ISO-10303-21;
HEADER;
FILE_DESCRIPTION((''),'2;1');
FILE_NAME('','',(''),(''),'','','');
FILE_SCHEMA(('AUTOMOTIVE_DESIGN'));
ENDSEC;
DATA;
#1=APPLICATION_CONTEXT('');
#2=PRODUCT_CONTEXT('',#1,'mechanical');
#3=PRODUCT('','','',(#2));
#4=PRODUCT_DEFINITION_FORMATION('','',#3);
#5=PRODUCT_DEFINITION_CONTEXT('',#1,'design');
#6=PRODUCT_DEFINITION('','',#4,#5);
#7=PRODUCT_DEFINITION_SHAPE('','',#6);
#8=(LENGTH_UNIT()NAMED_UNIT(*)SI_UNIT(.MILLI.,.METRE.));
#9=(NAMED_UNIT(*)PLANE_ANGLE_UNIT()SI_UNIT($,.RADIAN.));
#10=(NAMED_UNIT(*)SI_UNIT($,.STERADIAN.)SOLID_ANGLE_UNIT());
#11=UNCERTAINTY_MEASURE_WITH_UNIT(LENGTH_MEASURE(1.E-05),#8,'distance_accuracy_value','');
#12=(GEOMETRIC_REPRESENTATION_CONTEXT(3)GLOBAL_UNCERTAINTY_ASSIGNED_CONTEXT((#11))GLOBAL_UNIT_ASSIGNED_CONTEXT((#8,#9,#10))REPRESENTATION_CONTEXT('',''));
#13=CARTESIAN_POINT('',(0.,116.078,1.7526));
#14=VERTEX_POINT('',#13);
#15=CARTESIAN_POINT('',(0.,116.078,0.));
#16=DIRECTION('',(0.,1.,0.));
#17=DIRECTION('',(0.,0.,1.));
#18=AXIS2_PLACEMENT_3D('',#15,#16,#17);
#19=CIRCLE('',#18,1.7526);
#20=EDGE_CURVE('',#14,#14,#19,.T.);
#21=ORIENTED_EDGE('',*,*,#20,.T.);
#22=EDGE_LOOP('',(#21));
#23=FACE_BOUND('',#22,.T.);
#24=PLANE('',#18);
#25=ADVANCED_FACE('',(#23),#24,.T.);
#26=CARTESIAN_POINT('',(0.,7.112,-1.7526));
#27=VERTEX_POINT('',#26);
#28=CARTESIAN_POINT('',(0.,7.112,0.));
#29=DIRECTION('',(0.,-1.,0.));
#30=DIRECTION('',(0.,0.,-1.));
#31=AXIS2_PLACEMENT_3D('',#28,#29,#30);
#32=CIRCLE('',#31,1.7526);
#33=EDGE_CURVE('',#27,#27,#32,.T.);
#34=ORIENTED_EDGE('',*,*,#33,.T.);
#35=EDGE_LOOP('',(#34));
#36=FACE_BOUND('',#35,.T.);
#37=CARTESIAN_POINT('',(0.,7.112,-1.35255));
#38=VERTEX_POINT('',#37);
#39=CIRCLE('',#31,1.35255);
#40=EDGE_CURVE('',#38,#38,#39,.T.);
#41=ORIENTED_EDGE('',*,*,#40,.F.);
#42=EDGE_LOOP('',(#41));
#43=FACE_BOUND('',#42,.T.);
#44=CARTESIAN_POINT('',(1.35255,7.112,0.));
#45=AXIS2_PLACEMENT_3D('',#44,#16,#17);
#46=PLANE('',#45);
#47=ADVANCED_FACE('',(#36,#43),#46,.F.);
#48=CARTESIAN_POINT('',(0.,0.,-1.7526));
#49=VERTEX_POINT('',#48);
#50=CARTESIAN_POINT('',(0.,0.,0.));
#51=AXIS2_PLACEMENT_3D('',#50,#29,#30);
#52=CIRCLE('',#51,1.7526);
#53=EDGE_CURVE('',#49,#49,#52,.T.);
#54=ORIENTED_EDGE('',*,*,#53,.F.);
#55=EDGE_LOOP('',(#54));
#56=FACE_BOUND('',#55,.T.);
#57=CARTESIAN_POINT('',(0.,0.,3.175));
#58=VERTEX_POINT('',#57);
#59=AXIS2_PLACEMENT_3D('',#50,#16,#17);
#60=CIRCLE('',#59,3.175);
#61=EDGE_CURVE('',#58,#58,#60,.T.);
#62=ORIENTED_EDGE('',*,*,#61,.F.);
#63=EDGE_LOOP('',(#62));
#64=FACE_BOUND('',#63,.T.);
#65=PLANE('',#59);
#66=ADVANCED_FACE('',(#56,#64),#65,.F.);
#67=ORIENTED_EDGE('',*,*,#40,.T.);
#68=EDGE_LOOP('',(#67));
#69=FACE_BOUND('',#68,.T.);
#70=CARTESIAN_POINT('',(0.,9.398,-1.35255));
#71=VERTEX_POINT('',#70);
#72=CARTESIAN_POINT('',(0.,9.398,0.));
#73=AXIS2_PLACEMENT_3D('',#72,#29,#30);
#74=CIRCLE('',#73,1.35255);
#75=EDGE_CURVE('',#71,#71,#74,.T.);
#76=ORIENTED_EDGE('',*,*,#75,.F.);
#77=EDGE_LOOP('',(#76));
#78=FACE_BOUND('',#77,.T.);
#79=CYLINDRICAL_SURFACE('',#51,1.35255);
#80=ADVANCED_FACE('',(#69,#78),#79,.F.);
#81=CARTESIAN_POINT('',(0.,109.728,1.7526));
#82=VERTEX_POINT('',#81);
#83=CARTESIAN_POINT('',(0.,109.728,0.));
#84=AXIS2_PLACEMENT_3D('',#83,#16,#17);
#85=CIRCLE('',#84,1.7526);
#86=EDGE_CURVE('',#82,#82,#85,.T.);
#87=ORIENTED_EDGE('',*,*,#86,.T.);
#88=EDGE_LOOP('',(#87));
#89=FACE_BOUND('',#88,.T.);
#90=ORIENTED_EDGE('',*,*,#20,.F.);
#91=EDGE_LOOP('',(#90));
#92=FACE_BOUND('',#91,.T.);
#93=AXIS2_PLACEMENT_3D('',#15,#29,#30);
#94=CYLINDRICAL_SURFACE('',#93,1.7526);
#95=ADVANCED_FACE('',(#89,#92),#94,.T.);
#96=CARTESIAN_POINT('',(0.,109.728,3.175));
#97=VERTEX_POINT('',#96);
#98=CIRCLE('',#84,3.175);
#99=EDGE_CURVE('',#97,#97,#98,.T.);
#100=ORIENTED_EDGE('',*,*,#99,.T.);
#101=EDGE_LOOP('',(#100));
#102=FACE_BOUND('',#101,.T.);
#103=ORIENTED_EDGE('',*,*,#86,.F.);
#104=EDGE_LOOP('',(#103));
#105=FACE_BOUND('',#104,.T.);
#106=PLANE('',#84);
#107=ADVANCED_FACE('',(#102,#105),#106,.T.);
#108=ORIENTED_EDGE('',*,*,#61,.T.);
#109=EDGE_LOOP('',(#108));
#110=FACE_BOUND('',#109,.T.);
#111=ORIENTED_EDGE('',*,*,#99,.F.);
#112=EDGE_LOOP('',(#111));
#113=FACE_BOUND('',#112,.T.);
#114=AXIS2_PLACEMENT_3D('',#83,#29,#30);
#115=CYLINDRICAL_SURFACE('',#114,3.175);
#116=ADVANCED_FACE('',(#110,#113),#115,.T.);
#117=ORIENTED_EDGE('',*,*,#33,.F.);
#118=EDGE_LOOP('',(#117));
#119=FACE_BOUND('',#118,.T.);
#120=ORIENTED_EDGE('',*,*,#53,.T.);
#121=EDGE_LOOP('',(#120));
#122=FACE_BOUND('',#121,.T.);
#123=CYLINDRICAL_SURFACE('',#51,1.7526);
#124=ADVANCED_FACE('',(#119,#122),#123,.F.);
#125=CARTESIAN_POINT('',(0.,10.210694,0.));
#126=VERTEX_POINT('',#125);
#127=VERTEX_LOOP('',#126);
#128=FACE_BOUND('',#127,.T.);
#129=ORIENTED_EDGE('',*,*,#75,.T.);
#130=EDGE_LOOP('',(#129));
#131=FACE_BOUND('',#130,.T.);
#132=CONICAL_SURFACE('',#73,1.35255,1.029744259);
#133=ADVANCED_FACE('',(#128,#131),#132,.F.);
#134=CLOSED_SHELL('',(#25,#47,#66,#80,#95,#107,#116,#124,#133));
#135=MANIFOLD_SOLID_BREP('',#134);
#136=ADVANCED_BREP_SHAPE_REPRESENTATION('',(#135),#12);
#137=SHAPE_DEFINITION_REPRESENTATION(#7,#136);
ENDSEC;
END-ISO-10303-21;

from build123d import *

# Parameters (mm, degrees)
SKETCH1_R                       = 3.175
BOSS_EXTRUDE1_DEPTH             = 109.728
F_6_32_TAPPED_HOLE1_D           = 2.7051
F_6_32_TAPPED_HOLE1_DEPTH       = 9.398
F_6_32_TAPPED_HOLE1_CBORE_D     = 3.5052
F_6_32_TAPPED_HOLE1_CBORE_DEPTH = 7.112
F_6_32_TAPPED_HOLE1_TIP         = 0.81269403
SKETCH4_R                       = 1.7526
BOSS_EXTRUDE2_DEPTH             = 6.35


with BuildPart() as part:
    # Sketch1 → Boss-Extrude1 (new body)
    with BuildSketch(Plane(origin=(0, 0, 0), x_dir=(1, 0, 0), z_dir=(0, 1, 0))):
        Circle(SKETCH1_R)
    extrude(amount=BOSS_EXTRUDE1_DEPTH)

    # #6-32 Tapped Hole1
    with Locations(Plane(origin=(0, 0, 0), x_dir=(-1, 0, 0), z_dir=(0, -1, 0))):
        with Locations((0, 0)):
            CounterBoreHole(F_6_32_TAPPED_HOLE1_D / 2, F_6_32_TAPPED_HOLE1_CBORE_D / 2, F_6_32_TAPPED_HOLE1_CBORE_DEPTH, depth=F_6_32_TAPPED_HOLE1_DEPTH)
            with Locations((0, 0, -(F_6_32_TAPPED_HOLE1_DEPTH + F_6_32_TAPPED_HOLE1_TIP / 2))):  # 118° drill point
                Cone(0, F_6_32_TAPPED_HOLE1_D / 2, F_6_32_TAPPED_HOLE1_TIP, mode=Mode.SUBTRACT)

    # Sketch4 → Boss-Extrude2 (add)
    with BuildSketch(Plane(origin=(0, 109.728, 0), x_dir=(1, 0, 0), z_dir=(0, 1, 0))):
        Circle(SKETCH4_R)
    extrude(amount=BOSS_EXTRUDE2_DEPTH)


solid = part.part
